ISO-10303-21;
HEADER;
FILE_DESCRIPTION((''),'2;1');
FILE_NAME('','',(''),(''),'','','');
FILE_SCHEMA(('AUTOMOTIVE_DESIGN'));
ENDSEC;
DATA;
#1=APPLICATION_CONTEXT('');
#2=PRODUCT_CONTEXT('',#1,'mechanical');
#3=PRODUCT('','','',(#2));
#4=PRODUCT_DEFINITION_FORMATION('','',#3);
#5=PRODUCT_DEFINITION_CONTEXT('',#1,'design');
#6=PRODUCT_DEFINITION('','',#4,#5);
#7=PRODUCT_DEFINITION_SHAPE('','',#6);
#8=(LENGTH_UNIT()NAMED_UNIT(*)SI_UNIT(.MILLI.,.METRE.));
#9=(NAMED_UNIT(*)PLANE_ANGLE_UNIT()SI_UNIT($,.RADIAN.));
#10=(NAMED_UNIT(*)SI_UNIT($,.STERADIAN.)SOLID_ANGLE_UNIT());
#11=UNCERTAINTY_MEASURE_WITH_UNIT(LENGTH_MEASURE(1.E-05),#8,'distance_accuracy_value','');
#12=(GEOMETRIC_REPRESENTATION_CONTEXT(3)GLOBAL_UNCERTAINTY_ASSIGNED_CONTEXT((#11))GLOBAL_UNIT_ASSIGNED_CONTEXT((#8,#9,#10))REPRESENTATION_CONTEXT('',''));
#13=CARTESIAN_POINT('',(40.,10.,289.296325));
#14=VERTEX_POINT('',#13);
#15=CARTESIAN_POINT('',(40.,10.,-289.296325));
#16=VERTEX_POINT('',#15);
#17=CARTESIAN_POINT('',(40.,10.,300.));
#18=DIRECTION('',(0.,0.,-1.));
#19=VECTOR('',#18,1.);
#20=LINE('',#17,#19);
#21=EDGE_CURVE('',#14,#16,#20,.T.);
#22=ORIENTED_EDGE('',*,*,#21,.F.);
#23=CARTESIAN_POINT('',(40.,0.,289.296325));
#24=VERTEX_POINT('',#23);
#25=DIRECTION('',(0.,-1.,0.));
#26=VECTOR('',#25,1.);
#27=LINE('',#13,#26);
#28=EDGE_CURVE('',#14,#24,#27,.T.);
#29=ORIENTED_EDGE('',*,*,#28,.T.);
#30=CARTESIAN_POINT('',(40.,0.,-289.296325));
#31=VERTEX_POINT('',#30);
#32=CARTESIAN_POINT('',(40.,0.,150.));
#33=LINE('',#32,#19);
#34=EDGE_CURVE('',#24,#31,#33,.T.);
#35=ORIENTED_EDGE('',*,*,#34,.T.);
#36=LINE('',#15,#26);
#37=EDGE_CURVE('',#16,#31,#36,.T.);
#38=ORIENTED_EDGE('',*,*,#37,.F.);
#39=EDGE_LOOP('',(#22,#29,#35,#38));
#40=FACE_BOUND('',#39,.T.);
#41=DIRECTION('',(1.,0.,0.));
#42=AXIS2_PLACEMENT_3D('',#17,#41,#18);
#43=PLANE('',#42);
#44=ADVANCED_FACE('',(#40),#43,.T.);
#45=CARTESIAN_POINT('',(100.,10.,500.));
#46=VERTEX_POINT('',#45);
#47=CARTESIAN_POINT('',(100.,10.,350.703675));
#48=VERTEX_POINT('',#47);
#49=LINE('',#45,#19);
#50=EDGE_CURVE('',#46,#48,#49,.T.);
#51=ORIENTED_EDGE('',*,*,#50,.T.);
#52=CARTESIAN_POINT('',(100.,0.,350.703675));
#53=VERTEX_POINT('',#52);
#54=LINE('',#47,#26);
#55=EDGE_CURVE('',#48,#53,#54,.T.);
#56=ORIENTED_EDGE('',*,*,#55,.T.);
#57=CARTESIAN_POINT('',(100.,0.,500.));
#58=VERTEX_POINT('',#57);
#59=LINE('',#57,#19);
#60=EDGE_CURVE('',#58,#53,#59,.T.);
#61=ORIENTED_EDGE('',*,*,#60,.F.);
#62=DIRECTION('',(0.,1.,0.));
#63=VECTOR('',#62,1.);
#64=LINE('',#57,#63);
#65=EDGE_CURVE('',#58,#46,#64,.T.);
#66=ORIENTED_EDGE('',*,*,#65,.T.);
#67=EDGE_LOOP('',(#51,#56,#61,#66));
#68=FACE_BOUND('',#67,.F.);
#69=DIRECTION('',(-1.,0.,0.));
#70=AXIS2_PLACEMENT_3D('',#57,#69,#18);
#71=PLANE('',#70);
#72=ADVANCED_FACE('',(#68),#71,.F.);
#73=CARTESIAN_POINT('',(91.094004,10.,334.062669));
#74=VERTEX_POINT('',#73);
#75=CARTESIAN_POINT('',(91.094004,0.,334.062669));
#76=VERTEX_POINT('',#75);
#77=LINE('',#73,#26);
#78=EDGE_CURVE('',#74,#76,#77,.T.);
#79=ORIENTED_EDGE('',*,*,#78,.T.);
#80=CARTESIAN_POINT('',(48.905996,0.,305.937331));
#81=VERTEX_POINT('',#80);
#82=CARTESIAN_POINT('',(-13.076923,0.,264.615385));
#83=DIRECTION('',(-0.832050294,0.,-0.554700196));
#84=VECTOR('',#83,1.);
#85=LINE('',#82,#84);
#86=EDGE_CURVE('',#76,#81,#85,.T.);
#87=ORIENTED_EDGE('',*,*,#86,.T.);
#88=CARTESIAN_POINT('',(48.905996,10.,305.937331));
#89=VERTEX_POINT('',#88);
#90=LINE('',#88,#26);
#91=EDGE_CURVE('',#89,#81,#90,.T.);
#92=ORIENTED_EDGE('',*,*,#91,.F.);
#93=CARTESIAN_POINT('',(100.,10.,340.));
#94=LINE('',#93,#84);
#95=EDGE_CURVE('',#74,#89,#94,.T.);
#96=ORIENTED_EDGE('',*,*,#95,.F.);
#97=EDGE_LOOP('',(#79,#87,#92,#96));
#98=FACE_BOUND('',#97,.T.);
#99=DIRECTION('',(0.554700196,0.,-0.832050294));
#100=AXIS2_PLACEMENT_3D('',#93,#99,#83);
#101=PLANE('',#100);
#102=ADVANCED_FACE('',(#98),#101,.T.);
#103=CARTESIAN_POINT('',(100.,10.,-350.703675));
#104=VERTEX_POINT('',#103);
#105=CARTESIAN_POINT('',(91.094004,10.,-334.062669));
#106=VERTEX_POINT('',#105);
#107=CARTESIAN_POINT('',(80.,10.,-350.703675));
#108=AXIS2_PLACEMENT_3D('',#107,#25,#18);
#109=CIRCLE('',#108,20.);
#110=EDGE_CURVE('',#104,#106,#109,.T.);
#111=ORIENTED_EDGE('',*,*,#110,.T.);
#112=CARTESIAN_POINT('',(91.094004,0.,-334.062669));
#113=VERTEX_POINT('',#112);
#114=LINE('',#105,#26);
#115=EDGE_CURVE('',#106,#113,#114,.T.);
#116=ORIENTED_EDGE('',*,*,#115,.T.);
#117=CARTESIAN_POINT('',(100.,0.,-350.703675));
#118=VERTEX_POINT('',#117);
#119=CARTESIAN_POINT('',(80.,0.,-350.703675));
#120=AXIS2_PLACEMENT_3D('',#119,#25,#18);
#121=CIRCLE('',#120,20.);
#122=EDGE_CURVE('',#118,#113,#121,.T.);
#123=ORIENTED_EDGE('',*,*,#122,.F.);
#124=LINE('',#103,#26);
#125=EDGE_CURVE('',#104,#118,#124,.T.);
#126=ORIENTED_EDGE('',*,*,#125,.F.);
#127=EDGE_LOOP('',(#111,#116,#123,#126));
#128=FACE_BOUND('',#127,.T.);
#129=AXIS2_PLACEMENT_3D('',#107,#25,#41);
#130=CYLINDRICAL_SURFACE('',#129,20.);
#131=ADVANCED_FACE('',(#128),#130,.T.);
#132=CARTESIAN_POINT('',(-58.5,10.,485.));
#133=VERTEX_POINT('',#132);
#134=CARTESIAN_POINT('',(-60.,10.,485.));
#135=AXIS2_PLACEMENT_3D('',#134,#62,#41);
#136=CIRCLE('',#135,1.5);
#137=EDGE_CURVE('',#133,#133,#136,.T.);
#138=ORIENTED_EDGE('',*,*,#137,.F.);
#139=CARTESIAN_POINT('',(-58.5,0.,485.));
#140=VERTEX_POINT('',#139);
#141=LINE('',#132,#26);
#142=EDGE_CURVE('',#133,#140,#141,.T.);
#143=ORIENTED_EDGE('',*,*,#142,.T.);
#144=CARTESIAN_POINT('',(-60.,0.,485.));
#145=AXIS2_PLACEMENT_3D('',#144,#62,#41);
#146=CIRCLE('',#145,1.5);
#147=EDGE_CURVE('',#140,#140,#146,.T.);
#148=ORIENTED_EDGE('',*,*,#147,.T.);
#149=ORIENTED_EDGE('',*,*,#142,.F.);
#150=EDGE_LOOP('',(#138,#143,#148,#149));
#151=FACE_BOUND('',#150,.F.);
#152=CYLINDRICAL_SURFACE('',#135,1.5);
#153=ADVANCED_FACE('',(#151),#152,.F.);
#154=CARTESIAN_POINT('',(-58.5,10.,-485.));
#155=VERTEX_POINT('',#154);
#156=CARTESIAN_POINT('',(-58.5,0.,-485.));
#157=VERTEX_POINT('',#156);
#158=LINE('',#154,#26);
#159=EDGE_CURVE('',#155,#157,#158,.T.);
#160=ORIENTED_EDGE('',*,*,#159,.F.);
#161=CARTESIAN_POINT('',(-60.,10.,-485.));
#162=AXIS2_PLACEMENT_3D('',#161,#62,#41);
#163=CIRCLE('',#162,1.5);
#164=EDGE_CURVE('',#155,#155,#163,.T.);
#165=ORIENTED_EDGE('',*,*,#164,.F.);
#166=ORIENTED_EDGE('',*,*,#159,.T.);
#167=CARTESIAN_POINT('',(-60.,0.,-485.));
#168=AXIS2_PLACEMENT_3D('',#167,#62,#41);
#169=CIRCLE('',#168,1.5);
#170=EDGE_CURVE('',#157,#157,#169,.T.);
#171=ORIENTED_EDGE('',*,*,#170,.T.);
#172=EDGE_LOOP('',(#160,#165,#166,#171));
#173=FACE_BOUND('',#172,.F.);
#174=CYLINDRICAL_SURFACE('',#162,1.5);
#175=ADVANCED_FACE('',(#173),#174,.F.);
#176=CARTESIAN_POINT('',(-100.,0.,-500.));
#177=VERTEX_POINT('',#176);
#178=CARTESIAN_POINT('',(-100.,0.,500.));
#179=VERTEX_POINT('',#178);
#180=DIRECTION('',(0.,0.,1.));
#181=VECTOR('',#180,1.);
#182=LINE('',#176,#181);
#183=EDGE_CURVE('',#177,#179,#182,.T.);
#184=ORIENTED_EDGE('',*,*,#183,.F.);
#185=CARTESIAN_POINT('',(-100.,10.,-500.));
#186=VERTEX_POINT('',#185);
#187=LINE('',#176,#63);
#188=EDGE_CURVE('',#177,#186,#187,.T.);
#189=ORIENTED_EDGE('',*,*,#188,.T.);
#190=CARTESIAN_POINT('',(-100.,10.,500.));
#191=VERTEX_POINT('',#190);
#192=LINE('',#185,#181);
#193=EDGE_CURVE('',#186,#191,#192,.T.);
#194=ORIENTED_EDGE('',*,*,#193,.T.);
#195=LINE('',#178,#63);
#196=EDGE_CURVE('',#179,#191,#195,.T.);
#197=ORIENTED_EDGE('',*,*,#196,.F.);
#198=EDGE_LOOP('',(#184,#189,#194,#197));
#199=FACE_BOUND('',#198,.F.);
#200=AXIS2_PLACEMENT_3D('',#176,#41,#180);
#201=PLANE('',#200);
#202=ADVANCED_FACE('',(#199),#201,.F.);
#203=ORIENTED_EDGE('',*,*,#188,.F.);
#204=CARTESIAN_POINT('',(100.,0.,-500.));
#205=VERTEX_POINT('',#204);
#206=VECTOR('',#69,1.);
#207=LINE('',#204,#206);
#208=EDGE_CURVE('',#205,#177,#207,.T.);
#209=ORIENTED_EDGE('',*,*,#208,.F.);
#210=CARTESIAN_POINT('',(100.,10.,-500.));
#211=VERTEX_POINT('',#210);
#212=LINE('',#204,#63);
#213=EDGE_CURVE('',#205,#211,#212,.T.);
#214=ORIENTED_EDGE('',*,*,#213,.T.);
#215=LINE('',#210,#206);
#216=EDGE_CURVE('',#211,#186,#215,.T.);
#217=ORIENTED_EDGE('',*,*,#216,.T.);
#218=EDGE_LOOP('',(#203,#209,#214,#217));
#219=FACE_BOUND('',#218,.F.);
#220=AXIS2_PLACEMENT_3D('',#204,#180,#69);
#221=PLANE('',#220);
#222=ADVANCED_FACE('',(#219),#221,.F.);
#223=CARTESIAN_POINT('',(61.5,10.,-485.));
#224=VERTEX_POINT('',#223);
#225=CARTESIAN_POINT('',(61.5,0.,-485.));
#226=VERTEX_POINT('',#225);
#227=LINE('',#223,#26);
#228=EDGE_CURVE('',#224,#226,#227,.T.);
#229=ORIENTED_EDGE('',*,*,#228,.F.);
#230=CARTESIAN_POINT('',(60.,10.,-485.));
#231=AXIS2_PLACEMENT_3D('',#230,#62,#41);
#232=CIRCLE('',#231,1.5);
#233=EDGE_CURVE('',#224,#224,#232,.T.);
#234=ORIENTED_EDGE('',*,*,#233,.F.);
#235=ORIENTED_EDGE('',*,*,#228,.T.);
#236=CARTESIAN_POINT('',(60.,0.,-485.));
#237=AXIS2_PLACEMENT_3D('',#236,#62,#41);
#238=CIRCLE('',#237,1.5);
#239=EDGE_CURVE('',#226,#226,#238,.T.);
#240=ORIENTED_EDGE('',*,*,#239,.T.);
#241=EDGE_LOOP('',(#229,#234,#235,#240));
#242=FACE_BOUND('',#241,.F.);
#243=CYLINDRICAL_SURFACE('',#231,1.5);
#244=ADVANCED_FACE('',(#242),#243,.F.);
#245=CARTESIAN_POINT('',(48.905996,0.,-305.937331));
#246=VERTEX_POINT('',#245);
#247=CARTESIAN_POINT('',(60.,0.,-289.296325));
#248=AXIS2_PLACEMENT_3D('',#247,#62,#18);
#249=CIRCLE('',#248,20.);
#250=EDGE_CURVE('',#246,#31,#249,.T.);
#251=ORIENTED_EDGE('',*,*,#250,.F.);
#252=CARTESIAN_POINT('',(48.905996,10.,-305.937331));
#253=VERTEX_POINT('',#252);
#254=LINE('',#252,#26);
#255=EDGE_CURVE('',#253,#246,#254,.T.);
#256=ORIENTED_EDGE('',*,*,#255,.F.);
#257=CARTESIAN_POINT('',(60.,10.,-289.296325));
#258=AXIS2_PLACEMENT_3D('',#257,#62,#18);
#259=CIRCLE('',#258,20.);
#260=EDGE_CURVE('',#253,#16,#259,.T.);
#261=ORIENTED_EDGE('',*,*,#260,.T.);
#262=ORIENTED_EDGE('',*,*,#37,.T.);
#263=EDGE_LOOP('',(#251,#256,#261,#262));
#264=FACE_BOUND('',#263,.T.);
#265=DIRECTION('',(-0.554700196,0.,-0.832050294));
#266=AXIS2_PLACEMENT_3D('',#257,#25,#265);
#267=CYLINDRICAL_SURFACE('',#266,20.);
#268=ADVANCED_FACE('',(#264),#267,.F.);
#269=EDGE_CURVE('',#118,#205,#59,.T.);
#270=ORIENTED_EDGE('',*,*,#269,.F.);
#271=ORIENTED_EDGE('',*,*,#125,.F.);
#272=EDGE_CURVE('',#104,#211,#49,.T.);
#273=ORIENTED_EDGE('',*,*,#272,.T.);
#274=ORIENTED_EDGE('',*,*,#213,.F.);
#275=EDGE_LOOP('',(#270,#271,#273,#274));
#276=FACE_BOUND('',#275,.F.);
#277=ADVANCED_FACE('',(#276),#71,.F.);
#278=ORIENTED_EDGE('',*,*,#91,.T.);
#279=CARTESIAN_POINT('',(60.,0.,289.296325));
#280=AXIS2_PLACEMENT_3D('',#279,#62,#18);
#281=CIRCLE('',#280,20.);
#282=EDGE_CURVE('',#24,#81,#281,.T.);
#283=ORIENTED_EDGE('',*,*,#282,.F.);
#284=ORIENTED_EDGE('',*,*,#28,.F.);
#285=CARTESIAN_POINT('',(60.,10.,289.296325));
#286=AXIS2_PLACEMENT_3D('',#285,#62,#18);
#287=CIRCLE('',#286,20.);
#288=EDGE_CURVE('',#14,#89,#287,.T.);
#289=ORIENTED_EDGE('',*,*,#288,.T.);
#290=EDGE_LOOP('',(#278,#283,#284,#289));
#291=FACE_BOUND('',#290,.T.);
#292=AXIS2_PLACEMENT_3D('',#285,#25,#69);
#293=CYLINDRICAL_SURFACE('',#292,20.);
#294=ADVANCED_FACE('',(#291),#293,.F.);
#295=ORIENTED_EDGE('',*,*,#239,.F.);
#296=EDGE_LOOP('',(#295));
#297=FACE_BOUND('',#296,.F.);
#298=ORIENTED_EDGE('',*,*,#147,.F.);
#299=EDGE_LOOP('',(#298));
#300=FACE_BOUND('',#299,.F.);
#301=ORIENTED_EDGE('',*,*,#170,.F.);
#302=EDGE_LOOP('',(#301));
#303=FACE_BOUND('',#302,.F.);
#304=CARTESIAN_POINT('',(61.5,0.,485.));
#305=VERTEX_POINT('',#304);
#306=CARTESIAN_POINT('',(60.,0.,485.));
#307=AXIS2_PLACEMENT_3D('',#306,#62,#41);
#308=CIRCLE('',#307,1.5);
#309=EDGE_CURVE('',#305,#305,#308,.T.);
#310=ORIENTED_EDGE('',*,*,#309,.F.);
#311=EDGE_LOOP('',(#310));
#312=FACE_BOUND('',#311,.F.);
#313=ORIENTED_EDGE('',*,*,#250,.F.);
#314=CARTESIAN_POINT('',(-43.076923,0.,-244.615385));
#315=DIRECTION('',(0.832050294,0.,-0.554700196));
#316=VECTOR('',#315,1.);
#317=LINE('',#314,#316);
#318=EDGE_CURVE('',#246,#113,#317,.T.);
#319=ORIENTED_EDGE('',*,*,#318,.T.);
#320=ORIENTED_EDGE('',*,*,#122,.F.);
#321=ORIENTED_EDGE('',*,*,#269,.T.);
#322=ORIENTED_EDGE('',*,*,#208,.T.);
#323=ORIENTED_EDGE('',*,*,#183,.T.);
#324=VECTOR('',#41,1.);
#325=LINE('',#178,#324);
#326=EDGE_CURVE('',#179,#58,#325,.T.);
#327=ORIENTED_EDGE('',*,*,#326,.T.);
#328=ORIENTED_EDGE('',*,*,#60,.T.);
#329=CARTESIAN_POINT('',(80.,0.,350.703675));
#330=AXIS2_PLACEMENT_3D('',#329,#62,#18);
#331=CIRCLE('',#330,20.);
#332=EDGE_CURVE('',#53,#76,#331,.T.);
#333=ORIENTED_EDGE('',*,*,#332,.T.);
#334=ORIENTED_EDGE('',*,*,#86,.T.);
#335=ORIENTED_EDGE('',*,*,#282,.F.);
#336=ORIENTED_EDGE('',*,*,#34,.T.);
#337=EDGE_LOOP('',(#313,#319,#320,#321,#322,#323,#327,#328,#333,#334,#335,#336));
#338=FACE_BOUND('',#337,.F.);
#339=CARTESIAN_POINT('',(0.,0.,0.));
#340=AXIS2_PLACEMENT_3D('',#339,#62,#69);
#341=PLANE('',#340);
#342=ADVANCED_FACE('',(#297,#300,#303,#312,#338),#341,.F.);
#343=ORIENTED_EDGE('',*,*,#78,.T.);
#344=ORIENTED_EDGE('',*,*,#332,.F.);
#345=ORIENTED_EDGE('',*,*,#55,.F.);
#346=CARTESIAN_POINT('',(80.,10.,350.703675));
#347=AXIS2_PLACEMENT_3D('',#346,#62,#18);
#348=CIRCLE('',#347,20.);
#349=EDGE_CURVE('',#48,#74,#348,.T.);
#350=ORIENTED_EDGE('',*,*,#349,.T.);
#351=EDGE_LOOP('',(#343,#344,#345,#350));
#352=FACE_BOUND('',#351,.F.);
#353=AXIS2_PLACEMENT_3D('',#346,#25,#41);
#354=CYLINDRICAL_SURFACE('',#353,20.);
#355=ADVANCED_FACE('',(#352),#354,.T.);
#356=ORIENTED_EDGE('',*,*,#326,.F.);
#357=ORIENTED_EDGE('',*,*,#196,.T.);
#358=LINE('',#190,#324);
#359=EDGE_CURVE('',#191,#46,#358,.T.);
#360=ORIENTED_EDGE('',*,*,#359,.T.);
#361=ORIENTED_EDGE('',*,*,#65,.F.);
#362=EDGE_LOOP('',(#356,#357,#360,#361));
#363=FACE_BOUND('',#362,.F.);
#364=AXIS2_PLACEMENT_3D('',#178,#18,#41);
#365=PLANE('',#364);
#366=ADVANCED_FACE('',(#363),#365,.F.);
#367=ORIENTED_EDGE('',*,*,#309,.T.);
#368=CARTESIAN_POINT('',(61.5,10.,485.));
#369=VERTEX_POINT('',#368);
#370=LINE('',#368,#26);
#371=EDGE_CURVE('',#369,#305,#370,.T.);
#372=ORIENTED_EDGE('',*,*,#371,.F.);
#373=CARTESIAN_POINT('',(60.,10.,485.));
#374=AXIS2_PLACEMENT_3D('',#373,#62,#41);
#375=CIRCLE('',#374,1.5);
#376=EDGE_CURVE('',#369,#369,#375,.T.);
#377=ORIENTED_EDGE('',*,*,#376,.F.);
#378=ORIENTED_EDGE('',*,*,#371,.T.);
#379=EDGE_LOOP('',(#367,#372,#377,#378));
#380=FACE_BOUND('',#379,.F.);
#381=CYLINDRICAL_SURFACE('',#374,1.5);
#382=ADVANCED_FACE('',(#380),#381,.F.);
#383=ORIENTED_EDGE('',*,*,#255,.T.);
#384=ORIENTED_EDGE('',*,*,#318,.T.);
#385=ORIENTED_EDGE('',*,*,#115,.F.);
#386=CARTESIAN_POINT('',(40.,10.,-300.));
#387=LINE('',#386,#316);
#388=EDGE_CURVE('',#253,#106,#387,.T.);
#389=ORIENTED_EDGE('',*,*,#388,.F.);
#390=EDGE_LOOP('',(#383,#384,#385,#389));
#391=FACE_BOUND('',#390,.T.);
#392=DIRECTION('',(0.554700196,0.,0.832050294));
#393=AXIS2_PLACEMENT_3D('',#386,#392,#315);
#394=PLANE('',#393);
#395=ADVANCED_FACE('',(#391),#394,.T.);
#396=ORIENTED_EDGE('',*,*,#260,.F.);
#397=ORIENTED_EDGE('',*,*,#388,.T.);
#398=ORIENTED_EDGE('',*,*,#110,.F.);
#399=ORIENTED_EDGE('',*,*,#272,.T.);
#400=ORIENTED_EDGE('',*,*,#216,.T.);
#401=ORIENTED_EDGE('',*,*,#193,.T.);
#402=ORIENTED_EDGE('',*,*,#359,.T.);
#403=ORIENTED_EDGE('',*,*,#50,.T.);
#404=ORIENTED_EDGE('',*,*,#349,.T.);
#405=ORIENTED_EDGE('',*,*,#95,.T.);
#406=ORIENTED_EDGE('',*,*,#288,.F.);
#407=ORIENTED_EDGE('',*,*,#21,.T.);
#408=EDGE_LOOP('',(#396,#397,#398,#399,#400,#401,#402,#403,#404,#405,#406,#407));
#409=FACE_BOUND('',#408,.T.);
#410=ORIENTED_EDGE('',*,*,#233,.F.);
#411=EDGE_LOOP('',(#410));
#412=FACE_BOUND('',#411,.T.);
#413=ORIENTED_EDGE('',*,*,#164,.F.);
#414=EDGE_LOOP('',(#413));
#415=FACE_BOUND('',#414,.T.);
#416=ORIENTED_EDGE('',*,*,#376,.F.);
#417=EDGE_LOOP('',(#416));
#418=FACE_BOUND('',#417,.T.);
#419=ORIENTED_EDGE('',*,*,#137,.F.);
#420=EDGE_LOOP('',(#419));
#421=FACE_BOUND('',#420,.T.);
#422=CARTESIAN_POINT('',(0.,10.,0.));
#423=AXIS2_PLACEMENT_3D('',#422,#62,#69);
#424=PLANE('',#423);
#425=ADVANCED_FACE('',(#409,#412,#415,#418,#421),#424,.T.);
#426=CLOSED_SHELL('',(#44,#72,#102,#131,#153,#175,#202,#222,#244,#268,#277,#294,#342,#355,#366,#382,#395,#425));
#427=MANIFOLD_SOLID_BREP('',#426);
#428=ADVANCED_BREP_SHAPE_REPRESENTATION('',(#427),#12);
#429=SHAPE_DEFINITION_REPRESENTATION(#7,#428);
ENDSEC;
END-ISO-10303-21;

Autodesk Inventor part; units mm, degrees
ref_plane "YZ Plane" through (0, 0, 0) normal (1, 0, 0) x (0, 1, 0)
ref_plane "XZ Plane" through (0, 0, 0) normal (0, 1, 0) x (-1, 0, 0)
ref_plane "XY Plane" through (0, 0, 0) normal (0, 0, 1) x (1, 0, 0)
sketch "Esquisse1" plane through (0, 0, 0) normal (0, 1, 0) x (-1, 0, 0)
  line L0 (100, 500) -> (-100, 500)
  line L1 (-100, 500) -> (-100, -500)
  line L2 (-100, -500) -> (100, -500)
  line L3 (100, -500) -> (100, 500)
  point P0 (0, 0)
  dimension "d0" = 1000
  dimension "d1" = 200
  dimension "d4" = 500
  dimension "d5" = 100
extrude "Extrusion1" add sketch "Esquisse1" along normal blind 10
sketch "Esquisse2" plane through (0, 10, 0) normal (0, 1, 0) x (1, 0, 0)
  line L0 (100, -500) -> (100, 500) projected
  line L1 (100, -340) -> (40, -300)
  line L2 (40, -300) -> (40, 300)
  line L3 (40, 300) -> (100, 340)
  line L4 (-100, 500) -> (-100, -500) projected
  point P0 (0, 0)
  dimension "d6" = 600
  dimension "d7" = 300
  dimension "d8" = 140
  dimension "d9" = 160
  dimension "d10" = 160
extrude "Extrusion2" cut sketch "Esquisse2" against normal through all
fillet "Congé1" radius 20 4 edges at (40, 5, 300) (100, 5, 340) (40, 5, -300) (100, 5, -340)
sketch "Esquisse3" plane through (0, 10, 0) normal (0, 1, 0) x (1, 0, 0)
  circle A0 centre (-60, -485) radius 1.5
  circle A1 centre (60, -485) radius 1.5
  circle A2 centre (-60, 485) radius 1.5
  circle A3 centre (60, 485) radius 1.5
  line L0 (-100, -500) -> (100, -500) projected
  line L1 (100, 500) -> (-100, 500) projected
  line L2 (-100, 500) -> (-100, -500) projected
  line L3 (100, -500) -> (100, -350.7037) projected
  line L4 (100, 350.7037) -> (100, 500) projected
  point P0 (0, 0)
  dimension "d14" = 3
  dimension "d15" = 3
  dimension "d16" = 3
  dimension "d17" = 3
  dimension "d18" = 15
  dimension "d19" = 15
  dimension "d20" = 15
  dimension "d21" = 15
  dimension "d22" = 40
  dimension "d23" = 40
  dimension "d24" = 40
  dimension "d25" = 40
extrude "Extrusion3" cut sketch "Esquisse3" against normal through all
equation "\"d4\" = 0.5 * d0"
equation "\"d5\" = 0.5 * d1"
equation "\"d7\" = 0.5 * d6"
equation "\"d10\" = d9"
equation "\"d15\" = d14"
equation "\"d16\" = d14"
equation "\"d17\" = d14"
equation "\"d19\" = d18"
equation "\"d20\" = d18"
equation "\"d21\" = d18"
equation "\"d23\" = d22"
equation "\"d24\" = d22"
equation "\"d25\" = d22"
properties part number "Coté long plateau" material "Bois (bouleau)"
